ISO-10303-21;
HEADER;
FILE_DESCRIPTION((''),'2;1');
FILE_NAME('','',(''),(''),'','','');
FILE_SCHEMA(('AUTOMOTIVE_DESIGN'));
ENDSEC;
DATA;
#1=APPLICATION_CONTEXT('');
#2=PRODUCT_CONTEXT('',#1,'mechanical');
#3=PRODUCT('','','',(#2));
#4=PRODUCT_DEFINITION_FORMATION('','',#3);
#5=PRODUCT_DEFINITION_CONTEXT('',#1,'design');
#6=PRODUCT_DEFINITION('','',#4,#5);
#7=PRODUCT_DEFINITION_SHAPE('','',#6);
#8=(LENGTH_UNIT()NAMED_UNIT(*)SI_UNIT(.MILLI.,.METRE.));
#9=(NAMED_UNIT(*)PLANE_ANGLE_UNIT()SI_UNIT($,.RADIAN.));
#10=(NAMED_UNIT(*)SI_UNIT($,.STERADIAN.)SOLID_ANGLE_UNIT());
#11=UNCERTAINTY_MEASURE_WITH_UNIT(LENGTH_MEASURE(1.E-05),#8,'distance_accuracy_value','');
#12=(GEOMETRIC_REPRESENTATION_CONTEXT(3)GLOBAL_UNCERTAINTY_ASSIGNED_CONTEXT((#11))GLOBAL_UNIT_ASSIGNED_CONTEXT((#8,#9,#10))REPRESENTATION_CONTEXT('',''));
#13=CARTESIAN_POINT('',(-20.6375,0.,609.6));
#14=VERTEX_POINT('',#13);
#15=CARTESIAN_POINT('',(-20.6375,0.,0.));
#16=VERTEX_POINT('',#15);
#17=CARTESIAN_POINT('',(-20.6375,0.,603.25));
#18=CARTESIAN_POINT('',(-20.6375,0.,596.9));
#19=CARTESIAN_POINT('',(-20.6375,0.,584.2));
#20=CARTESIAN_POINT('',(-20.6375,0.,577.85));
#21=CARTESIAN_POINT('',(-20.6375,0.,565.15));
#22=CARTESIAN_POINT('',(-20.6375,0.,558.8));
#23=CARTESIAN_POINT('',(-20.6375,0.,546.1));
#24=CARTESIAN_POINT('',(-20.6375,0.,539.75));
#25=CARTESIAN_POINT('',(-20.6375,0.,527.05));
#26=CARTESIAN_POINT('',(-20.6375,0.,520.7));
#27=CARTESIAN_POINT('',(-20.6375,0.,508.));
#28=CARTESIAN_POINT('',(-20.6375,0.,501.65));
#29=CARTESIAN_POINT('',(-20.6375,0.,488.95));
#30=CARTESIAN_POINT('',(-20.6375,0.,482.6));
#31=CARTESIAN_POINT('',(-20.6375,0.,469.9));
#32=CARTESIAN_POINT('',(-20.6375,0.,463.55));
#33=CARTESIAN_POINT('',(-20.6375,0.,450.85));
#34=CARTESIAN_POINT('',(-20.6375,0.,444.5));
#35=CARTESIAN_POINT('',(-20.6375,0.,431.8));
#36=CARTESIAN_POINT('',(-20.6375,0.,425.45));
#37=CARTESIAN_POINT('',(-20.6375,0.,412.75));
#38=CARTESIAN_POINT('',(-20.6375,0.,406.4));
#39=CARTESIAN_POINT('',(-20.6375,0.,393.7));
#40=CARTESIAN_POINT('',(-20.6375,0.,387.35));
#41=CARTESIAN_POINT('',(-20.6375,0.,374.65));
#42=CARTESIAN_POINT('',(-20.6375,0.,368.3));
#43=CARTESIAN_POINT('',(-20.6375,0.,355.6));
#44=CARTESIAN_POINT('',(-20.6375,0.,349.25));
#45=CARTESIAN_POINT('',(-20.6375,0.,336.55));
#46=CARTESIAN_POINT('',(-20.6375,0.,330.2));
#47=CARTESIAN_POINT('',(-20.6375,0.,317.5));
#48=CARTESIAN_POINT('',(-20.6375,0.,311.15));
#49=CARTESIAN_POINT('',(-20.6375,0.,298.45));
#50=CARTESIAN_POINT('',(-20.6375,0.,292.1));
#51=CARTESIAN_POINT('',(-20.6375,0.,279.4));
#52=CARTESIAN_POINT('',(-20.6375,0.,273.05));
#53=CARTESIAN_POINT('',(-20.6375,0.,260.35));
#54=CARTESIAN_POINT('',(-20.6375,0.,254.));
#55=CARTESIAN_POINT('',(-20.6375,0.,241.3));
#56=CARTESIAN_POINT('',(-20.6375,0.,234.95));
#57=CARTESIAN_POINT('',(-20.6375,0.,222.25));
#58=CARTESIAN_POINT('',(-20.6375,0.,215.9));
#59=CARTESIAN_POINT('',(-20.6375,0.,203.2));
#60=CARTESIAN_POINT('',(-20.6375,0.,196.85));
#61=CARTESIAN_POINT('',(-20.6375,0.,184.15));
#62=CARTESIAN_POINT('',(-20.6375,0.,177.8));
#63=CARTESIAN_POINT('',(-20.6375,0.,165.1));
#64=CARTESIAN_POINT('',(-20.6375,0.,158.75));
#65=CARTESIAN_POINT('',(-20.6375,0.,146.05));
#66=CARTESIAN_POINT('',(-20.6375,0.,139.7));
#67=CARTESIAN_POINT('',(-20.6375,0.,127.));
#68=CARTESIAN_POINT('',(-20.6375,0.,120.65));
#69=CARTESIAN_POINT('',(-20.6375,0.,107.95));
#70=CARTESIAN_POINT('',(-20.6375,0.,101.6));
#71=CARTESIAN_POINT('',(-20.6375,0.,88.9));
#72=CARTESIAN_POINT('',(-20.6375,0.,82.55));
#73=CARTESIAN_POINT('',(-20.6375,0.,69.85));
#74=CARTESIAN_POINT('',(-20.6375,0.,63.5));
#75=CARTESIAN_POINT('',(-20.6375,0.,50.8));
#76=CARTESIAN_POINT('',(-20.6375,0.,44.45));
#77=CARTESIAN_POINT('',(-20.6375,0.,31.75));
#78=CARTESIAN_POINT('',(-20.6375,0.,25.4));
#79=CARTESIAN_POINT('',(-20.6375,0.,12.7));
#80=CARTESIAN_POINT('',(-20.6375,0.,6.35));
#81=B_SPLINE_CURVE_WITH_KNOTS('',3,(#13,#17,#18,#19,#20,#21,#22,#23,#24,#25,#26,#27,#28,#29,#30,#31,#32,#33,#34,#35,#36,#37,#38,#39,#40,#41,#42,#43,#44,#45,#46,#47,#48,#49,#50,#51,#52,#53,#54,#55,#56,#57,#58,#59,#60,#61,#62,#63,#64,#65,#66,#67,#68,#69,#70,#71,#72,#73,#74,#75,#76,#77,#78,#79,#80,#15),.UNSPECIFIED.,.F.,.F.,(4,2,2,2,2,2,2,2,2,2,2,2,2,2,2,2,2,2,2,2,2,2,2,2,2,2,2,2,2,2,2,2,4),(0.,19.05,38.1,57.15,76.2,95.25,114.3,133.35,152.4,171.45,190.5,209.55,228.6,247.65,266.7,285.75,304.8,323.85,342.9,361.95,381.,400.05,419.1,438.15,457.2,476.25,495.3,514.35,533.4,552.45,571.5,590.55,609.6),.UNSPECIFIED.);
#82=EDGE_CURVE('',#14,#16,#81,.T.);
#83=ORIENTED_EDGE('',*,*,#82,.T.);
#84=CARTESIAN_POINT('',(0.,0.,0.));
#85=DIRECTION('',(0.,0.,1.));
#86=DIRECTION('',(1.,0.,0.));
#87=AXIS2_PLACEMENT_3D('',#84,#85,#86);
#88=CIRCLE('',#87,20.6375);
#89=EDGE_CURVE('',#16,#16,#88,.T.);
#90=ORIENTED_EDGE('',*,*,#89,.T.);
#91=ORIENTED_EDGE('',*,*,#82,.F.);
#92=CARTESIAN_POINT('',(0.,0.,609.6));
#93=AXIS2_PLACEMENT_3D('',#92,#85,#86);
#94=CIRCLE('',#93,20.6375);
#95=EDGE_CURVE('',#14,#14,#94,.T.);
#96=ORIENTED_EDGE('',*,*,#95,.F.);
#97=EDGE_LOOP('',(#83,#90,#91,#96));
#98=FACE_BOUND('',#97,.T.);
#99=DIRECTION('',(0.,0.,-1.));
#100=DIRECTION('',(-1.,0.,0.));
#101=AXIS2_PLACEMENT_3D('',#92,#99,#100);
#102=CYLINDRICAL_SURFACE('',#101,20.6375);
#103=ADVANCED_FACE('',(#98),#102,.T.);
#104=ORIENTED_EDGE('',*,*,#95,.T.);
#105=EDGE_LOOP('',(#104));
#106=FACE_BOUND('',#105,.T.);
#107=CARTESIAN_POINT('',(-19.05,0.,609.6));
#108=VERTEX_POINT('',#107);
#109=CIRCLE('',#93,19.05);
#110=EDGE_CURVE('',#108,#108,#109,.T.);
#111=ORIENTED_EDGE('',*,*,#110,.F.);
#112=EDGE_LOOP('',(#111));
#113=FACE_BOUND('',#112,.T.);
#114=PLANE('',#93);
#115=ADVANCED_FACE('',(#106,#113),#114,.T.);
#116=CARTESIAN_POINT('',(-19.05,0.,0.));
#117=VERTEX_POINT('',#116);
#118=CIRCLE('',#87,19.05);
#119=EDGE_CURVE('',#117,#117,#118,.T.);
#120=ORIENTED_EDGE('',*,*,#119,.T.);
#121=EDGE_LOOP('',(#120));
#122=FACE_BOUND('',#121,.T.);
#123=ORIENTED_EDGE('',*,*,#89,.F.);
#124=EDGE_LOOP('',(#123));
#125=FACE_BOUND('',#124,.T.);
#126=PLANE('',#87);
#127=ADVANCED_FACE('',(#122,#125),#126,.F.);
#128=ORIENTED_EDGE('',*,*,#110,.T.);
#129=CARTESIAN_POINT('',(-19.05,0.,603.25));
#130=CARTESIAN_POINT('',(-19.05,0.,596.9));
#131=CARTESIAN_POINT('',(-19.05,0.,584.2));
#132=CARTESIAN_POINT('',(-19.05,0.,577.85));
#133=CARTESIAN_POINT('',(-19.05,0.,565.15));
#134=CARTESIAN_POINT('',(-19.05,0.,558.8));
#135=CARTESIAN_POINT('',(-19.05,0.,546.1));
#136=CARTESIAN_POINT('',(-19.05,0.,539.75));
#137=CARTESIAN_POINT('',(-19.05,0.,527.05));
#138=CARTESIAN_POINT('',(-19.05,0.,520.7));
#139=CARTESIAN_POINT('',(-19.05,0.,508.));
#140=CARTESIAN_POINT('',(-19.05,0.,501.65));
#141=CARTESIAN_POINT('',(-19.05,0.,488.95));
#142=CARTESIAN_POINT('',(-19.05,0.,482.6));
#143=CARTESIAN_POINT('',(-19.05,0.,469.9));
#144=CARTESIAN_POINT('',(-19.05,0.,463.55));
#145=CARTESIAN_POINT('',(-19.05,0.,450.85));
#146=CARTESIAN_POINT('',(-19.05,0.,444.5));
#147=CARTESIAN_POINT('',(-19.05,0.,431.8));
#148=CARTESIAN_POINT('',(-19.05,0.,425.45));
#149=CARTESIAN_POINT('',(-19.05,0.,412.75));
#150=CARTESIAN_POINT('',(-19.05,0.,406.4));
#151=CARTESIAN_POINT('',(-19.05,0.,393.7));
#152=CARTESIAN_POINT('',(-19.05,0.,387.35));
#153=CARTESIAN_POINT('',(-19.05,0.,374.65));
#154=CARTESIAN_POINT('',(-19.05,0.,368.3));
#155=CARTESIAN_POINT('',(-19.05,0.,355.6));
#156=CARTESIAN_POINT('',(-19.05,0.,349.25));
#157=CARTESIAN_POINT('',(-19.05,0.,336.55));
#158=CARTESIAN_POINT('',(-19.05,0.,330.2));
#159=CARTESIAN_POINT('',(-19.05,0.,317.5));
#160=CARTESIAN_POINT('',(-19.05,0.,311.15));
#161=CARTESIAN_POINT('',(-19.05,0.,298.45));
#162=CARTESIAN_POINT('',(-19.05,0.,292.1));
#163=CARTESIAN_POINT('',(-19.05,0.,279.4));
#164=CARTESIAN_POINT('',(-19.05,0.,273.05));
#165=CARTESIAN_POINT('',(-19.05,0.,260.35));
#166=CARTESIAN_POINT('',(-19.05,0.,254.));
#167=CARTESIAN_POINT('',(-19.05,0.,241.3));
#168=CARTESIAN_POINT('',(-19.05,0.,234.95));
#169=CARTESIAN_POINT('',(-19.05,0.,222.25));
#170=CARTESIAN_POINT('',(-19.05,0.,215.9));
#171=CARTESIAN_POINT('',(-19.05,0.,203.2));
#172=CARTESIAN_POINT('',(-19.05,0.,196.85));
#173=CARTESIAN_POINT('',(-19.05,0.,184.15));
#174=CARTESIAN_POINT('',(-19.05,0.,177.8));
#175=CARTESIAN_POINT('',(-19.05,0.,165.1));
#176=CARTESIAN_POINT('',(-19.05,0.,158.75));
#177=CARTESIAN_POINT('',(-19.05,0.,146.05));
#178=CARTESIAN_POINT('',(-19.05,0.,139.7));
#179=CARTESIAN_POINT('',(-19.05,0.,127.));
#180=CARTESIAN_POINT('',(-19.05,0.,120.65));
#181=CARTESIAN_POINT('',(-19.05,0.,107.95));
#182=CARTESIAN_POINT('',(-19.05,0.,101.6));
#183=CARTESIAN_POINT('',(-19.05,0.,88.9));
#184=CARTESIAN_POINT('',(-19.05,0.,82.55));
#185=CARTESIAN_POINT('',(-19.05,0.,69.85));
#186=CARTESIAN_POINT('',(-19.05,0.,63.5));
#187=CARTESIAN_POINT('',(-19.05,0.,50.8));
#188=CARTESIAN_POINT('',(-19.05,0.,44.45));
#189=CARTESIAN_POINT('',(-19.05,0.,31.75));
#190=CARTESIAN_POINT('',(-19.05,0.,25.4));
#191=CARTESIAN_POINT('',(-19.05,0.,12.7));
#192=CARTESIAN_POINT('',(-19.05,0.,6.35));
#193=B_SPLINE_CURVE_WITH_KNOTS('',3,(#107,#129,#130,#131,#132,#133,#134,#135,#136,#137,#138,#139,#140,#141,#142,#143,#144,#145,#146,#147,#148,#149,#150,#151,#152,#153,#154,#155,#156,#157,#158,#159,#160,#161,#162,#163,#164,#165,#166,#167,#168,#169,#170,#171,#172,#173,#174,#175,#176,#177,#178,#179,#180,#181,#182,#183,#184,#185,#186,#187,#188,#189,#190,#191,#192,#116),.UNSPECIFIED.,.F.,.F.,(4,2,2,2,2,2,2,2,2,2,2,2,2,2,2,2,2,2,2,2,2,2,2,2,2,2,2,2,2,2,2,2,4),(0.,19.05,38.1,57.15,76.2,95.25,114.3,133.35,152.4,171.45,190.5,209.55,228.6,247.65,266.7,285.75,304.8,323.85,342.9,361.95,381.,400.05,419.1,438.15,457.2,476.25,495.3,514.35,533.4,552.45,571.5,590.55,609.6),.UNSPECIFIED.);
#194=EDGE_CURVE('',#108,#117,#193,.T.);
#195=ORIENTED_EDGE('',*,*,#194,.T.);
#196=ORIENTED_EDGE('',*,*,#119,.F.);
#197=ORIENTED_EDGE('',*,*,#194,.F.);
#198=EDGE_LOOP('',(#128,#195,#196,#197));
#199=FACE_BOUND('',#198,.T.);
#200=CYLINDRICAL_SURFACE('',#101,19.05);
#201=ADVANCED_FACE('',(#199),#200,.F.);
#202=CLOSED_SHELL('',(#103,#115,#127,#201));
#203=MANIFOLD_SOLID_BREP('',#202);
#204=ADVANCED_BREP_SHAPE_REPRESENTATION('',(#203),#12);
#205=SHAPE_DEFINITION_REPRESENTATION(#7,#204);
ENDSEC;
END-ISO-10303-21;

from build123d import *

# Parameters (mm, degrees)
CARDBOARD_MOTOR_TUBE_SKETCH_R   = 20.6375
CARDBOARD_MOTOR_TUBE_SKETCH_R_2 = 19.05
BOSS_EXTRUDE1_DEPTH             = 609.6


with BuildPart() as part:
    # Cardboard Motor Tube Sketch → Boss-Extrude1 (new body)
    with BuildSketch(Plane.XY):
        with Locations(Location((0, 0, 0), (0, 0, 180))):
            Circle(CARDBOARD_MOTOR_TUBE_SKETCH_R)
        with Locations(Location((0, 0, 0), (0, 0, 180))):
            Circle(CARDBOARD_MOTOR_TUBE_SKETCH_R_2, mode=Mode.SUBTRACT)
    extrude(amount=BOSS_EXTRUDE1_DEPTH)


solid = part.part
